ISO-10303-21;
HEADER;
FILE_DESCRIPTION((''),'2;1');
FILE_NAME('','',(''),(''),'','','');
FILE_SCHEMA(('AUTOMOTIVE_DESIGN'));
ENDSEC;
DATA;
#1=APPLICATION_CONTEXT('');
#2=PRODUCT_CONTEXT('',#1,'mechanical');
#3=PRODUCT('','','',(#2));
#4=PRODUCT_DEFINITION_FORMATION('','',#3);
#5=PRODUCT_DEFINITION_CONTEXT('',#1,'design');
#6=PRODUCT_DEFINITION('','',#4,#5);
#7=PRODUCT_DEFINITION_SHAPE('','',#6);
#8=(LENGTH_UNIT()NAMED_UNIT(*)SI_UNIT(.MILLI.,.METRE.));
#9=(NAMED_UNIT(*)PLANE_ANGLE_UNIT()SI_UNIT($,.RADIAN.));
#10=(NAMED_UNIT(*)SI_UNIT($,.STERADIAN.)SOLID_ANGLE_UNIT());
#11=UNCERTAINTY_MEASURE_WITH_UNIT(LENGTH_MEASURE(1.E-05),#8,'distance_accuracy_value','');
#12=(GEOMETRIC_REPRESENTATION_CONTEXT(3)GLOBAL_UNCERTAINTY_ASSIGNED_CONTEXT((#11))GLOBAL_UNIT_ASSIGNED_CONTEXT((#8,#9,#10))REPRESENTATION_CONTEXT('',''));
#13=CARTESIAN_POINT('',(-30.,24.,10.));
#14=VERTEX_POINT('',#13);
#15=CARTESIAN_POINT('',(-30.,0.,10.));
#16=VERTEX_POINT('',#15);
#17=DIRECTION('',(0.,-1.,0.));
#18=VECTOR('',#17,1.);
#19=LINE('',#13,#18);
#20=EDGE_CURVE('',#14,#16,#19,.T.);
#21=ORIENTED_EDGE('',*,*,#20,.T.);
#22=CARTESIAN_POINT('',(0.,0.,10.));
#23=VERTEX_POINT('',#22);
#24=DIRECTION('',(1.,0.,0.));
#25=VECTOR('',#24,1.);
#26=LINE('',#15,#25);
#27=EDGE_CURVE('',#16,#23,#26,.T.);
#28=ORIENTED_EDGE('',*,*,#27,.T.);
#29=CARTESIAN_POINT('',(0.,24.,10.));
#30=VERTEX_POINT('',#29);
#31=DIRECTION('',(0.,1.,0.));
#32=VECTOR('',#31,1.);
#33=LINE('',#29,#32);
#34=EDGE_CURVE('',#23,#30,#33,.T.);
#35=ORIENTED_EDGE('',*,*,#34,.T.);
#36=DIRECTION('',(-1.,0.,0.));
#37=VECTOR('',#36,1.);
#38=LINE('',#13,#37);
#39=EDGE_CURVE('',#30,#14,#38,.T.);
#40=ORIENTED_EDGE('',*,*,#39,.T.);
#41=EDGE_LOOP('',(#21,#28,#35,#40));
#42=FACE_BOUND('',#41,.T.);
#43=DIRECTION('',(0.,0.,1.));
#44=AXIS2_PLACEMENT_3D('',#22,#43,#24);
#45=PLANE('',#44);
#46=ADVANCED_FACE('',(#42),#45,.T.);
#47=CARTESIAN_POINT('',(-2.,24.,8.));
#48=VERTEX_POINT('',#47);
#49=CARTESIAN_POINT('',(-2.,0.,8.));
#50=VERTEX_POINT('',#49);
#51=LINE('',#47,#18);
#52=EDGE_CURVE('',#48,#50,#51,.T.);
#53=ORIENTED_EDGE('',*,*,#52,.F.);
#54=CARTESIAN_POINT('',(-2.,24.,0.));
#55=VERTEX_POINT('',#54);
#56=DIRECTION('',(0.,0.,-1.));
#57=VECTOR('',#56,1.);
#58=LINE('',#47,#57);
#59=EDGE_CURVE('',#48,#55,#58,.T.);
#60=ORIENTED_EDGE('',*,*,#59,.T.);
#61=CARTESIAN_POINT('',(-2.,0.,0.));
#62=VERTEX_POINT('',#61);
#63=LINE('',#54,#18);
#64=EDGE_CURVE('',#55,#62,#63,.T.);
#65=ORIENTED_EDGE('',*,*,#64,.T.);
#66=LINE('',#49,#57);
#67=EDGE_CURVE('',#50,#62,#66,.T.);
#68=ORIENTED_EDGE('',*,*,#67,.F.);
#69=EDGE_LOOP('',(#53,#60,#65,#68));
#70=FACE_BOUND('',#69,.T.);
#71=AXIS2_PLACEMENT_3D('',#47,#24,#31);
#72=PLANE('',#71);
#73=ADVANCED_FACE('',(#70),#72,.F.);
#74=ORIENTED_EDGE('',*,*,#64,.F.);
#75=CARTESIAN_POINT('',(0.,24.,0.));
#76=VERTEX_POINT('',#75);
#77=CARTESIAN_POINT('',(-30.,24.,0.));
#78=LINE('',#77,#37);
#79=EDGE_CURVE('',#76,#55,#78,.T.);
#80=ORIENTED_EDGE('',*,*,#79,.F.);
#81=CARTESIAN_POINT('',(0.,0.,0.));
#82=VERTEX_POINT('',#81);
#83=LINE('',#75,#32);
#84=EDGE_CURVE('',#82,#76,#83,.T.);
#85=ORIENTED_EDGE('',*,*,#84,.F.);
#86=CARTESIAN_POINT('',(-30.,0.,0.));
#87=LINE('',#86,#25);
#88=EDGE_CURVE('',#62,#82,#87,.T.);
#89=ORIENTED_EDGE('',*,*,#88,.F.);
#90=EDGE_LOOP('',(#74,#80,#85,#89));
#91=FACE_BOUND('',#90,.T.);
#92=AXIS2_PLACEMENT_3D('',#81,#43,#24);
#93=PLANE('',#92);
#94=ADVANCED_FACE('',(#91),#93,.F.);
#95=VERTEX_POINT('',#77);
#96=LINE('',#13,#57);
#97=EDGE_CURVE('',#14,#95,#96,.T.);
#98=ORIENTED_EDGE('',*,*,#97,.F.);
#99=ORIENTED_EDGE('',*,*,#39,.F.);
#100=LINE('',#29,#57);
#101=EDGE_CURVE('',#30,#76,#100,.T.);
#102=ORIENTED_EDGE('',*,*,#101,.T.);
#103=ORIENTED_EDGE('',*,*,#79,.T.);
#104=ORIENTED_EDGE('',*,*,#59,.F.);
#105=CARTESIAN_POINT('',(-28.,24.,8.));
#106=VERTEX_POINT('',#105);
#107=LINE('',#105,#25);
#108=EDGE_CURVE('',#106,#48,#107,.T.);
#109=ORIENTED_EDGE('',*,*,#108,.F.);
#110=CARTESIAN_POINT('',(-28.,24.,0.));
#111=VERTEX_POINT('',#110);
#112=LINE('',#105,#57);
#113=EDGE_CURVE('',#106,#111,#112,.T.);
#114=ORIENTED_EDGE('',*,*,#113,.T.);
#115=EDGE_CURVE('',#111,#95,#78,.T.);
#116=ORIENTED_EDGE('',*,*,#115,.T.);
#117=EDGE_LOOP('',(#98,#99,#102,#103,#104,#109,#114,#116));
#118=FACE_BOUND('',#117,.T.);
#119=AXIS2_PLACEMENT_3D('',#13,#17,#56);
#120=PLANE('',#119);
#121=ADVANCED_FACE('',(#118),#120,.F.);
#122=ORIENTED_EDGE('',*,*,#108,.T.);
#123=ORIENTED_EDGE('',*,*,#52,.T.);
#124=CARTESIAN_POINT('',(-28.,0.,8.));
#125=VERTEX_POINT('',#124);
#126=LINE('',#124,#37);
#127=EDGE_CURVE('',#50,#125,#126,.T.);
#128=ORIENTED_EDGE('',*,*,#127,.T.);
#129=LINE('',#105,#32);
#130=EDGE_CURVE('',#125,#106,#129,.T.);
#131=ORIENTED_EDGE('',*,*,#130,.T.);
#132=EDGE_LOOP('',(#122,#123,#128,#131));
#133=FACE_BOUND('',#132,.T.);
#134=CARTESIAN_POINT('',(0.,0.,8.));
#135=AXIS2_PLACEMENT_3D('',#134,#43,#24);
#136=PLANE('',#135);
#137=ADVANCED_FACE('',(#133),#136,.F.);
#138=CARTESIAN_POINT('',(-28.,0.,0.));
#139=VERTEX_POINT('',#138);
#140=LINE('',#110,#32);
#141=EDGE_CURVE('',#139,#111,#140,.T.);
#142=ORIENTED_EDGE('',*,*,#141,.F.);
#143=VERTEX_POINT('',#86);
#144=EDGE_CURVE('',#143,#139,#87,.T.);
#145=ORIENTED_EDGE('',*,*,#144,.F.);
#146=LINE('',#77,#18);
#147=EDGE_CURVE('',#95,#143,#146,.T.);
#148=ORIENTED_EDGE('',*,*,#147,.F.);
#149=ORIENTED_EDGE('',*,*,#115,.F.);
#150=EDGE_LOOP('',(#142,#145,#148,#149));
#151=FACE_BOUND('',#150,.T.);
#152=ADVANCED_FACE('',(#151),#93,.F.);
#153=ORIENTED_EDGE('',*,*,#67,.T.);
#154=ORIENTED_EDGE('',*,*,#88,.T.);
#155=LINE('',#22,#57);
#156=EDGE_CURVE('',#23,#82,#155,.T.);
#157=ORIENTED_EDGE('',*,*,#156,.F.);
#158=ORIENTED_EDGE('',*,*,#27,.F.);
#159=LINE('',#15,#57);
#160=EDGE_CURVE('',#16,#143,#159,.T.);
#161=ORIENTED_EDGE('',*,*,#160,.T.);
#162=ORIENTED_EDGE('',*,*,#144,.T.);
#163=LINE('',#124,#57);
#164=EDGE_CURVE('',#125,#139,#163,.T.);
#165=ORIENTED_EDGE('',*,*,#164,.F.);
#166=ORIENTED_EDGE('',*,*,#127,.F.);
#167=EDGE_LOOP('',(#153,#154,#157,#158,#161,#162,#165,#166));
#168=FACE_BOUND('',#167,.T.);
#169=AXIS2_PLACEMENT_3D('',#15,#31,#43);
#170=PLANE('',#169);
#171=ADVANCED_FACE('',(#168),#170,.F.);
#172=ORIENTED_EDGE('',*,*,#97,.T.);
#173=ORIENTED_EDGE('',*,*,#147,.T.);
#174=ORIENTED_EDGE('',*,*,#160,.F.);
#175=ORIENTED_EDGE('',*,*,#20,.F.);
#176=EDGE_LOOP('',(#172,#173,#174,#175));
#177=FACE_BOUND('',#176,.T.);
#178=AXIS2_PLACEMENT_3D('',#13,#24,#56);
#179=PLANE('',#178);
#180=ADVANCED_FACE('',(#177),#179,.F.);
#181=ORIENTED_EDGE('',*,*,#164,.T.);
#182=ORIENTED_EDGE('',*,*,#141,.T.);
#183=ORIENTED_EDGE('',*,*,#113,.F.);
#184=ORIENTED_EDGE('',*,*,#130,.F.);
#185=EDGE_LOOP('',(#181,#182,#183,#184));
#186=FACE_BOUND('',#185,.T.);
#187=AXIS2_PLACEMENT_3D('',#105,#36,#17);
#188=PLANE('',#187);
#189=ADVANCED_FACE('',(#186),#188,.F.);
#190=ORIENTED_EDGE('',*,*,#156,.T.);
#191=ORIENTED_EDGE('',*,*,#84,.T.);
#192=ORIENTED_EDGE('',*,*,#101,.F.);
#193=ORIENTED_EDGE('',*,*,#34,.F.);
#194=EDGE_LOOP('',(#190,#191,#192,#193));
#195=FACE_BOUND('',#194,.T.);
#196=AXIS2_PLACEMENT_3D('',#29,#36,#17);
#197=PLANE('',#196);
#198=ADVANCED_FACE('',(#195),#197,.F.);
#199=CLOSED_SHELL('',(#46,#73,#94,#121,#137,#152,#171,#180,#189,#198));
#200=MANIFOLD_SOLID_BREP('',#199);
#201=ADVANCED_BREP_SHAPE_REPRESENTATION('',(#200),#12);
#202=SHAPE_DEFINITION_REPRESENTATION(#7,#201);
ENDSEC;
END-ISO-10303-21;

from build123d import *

# Parameters (mm, degrees)
SKETCH_1_W          = 30
SKETCH_1_H          = 24
EXTRUDE_1_DEPTH     = 10
SKETCH_2_W          = 26
SKETCH_2_H          = 24
CUT_EXTRUDE_1_DEPTH = 8


with BuildPart() as part:
    # 草圖1 → 填料-伸長1 (new body)
    with BuildSketch(Plane.XY):
        with Locations((-15, 12)):
            Rectangle(SKETCH_1_W, SKETCH_1_H)
    extrude(amount=EXTRUDE_1_DEPTH)

    # 草圖2 → 除料-伸長1 (cut)
    with BuildSketch(Plane(origin=(0, 0, 0), x_dir=(-1, 0, 0), z_dir=(0, 0, -1))):
        with Locations((15, 12)):
            Rectangle(SKETCH_2_W, SKETCH_2_H)
    extrude(amount=-CUT_EXTRUDE_1_DEPTH, mode=Mode.SUBTRACT)


solid = part.part
